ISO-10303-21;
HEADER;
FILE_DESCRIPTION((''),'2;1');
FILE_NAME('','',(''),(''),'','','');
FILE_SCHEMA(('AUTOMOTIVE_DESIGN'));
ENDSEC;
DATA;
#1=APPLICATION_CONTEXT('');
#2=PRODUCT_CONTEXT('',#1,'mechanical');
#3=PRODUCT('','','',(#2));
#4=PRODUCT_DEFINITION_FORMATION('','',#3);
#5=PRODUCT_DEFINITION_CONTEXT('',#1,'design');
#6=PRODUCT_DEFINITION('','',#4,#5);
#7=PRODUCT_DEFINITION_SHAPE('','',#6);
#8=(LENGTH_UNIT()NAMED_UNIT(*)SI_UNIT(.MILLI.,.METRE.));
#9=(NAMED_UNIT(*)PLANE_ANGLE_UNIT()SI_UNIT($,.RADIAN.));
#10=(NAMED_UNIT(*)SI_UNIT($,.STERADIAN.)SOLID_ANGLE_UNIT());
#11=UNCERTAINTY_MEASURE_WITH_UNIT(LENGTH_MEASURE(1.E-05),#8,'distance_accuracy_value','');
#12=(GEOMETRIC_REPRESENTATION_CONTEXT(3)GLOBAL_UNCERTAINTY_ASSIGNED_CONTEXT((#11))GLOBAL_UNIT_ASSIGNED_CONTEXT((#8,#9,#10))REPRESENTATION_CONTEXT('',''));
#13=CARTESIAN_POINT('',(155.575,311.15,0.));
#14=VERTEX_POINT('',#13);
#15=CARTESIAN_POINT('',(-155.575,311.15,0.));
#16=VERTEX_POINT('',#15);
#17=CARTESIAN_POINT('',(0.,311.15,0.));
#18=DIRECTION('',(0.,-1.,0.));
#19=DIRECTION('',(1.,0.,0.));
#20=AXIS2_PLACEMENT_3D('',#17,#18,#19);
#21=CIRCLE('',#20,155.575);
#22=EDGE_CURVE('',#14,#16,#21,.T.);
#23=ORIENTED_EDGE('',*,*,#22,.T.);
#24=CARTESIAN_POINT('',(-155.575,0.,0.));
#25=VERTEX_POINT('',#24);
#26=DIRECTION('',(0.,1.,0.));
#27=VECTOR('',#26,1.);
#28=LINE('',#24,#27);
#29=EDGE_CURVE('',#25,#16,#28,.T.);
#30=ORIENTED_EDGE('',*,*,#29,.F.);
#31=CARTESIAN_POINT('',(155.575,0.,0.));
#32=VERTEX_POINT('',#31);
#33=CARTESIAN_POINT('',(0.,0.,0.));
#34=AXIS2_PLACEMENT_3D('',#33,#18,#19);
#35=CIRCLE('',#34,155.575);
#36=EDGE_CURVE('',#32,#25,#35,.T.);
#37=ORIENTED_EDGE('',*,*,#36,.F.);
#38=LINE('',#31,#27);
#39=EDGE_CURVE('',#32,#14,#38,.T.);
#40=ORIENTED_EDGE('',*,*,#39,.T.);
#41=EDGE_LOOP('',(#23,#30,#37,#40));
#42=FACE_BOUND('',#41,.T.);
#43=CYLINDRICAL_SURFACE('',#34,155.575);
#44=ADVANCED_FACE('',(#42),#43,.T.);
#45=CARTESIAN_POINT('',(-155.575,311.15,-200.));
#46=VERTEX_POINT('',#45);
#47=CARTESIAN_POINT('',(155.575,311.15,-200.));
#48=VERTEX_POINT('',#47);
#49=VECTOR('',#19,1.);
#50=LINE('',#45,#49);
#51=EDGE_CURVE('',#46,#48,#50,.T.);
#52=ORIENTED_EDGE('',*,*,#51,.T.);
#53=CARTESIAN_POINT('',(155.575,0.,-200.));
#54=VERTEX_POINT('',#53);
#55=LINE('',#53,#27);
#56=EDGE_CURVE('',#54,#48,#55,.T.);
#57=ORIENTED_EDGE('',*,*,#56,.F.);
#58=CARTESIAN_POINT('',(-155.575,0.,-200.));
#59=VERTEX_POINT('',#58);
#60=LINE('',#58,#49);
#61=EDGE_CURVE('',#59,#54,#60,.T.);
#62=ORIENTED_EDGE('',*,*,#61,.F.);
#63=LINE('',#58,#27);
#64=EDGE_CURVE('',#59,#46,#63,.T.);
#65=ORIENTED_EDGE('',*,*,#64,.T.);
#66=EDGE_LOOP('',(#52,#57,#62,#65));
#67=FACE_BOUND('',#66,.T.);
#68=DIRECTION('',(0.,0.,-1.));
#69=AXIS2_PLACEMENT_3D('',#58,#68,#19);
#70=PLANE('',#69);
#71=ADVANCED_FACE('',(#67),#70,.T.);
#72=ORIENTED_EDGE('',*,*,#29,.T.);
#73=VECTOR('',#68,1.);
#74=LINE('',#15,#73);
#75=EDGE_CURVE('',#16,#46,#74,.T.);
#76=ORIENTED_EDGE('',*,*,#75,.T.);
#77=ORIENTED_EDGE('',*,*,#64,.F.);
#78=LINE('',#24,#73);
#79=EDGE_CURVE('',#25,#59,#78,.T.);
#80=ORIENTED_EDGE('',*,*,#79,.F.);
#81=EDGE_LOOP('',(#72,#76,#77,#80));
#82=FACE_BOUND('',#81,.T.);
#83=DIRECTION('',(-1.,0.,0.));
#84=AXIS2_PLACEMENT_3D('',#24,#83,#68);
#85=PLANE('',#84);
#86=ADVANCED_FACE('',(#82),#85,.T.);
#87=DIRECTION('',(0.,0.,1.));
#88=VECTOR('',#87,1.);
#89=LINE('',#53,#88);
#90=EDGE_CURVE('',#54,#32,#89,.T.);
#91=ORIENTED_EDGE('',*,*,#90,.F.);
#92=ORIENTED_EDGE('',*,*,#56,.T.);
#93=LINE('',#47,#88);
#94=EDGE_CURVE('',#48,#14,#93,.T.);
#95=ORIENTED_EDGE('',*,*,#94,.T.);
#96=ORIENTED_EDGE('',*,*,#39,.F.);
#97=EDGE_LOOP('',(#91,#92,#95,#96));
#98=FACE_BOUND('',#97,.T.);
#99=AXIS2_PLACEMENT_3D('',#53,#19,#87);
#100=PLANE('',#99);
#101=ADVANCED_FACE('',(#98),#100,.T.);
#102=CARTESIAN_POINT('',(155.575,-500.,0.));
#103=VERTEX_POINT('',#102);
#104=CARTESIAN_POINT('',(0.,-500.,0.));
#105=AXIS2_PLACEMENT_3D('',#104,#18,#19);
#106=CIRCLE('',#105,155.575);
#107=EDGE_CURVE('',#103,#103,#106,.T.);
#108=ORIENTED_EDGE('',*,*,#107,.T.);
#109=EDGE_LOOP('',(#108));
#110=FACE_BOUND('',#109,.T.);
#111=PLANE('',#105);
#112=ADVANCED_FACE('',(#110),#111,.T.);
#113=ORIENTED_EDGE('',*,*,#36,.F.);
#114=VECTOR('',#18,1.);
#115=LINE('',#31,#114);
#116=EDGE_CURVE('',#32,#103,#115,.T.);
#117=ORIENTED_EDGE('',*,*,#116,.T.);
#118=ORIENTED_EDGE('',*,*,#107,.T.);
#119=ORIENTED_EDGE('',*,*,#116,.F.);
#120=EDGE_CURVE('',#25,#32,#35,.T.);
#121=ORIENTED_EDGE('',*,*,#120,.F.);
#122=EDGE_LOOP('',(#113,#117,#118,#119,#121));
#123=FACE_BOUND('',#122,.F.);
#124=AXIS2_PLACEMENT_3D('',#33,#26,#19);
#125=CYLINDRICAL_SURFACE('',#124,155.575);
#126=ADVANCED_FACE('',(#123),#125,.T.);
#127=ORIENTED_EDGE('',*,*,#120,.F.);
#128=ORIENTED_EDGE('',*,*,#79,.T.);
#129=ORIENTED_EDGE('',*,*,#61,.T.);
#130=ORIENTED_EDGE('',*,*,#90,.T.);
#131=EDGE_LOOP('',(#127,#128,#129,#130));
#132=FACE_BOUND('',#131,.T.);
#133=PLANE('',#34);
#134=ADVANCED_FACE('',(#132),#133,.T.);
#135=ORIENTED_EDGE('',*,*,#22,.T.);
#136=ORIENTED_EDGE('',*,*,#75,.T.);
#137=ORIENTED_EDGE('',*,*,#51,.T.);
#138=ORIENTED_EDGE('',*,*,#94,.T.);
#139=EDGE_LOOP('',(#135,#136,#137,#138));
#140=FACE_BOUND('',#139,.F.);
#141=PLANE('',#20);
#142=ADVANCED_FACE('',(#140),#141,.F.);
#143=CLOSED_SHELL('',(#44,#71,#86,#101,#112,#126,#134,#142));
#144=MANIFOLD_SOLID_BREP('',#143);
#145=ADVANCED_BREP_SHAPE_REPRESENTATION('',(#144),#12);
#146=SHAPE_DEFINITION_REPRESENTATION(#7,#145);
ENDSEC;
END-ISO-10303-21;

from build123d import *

# Parameters (mm, degrees)
F1_DEPTH = 500
F2_DEPTH = 311.15


with BuildPart() as f1:
    # F0 (on Front) → F1 (new body)
    with BuildSketch(Plane.XZ):
        with BuildLine():
            ThreePointArc((-155.575, 0), (0, -155.575), (155.575, 0))
            ThreePointArc((155.575, 0), (0, 155.575), (-155.575, 0))
        make_face()
    extrude(amount=F1_DEPTH)

    # F0 (on Front) → F2 (join)
    with BuildSketch(Plane.XZ):
        with BuildLine():
            ThreePointArc((-155.575, 0), (0, -155.575), (155.575, 0))
            ThreePointArc((155.575, 0), (0, 155.575), (-155.575, 0))
        make_face()
        with BuildLine():
            Line((155.575, -200), (155.575, 0))
            ThreePointArc((155.575, 0), (0, -155.575), (-155.575, 0))
            Line((-155.575, 0), (-155.575, -200))
            Line((-155.575, -200), (155.575, -200))
        make_face()
    extrude(amount=-F2_DEPTH)


solid = f1.part
